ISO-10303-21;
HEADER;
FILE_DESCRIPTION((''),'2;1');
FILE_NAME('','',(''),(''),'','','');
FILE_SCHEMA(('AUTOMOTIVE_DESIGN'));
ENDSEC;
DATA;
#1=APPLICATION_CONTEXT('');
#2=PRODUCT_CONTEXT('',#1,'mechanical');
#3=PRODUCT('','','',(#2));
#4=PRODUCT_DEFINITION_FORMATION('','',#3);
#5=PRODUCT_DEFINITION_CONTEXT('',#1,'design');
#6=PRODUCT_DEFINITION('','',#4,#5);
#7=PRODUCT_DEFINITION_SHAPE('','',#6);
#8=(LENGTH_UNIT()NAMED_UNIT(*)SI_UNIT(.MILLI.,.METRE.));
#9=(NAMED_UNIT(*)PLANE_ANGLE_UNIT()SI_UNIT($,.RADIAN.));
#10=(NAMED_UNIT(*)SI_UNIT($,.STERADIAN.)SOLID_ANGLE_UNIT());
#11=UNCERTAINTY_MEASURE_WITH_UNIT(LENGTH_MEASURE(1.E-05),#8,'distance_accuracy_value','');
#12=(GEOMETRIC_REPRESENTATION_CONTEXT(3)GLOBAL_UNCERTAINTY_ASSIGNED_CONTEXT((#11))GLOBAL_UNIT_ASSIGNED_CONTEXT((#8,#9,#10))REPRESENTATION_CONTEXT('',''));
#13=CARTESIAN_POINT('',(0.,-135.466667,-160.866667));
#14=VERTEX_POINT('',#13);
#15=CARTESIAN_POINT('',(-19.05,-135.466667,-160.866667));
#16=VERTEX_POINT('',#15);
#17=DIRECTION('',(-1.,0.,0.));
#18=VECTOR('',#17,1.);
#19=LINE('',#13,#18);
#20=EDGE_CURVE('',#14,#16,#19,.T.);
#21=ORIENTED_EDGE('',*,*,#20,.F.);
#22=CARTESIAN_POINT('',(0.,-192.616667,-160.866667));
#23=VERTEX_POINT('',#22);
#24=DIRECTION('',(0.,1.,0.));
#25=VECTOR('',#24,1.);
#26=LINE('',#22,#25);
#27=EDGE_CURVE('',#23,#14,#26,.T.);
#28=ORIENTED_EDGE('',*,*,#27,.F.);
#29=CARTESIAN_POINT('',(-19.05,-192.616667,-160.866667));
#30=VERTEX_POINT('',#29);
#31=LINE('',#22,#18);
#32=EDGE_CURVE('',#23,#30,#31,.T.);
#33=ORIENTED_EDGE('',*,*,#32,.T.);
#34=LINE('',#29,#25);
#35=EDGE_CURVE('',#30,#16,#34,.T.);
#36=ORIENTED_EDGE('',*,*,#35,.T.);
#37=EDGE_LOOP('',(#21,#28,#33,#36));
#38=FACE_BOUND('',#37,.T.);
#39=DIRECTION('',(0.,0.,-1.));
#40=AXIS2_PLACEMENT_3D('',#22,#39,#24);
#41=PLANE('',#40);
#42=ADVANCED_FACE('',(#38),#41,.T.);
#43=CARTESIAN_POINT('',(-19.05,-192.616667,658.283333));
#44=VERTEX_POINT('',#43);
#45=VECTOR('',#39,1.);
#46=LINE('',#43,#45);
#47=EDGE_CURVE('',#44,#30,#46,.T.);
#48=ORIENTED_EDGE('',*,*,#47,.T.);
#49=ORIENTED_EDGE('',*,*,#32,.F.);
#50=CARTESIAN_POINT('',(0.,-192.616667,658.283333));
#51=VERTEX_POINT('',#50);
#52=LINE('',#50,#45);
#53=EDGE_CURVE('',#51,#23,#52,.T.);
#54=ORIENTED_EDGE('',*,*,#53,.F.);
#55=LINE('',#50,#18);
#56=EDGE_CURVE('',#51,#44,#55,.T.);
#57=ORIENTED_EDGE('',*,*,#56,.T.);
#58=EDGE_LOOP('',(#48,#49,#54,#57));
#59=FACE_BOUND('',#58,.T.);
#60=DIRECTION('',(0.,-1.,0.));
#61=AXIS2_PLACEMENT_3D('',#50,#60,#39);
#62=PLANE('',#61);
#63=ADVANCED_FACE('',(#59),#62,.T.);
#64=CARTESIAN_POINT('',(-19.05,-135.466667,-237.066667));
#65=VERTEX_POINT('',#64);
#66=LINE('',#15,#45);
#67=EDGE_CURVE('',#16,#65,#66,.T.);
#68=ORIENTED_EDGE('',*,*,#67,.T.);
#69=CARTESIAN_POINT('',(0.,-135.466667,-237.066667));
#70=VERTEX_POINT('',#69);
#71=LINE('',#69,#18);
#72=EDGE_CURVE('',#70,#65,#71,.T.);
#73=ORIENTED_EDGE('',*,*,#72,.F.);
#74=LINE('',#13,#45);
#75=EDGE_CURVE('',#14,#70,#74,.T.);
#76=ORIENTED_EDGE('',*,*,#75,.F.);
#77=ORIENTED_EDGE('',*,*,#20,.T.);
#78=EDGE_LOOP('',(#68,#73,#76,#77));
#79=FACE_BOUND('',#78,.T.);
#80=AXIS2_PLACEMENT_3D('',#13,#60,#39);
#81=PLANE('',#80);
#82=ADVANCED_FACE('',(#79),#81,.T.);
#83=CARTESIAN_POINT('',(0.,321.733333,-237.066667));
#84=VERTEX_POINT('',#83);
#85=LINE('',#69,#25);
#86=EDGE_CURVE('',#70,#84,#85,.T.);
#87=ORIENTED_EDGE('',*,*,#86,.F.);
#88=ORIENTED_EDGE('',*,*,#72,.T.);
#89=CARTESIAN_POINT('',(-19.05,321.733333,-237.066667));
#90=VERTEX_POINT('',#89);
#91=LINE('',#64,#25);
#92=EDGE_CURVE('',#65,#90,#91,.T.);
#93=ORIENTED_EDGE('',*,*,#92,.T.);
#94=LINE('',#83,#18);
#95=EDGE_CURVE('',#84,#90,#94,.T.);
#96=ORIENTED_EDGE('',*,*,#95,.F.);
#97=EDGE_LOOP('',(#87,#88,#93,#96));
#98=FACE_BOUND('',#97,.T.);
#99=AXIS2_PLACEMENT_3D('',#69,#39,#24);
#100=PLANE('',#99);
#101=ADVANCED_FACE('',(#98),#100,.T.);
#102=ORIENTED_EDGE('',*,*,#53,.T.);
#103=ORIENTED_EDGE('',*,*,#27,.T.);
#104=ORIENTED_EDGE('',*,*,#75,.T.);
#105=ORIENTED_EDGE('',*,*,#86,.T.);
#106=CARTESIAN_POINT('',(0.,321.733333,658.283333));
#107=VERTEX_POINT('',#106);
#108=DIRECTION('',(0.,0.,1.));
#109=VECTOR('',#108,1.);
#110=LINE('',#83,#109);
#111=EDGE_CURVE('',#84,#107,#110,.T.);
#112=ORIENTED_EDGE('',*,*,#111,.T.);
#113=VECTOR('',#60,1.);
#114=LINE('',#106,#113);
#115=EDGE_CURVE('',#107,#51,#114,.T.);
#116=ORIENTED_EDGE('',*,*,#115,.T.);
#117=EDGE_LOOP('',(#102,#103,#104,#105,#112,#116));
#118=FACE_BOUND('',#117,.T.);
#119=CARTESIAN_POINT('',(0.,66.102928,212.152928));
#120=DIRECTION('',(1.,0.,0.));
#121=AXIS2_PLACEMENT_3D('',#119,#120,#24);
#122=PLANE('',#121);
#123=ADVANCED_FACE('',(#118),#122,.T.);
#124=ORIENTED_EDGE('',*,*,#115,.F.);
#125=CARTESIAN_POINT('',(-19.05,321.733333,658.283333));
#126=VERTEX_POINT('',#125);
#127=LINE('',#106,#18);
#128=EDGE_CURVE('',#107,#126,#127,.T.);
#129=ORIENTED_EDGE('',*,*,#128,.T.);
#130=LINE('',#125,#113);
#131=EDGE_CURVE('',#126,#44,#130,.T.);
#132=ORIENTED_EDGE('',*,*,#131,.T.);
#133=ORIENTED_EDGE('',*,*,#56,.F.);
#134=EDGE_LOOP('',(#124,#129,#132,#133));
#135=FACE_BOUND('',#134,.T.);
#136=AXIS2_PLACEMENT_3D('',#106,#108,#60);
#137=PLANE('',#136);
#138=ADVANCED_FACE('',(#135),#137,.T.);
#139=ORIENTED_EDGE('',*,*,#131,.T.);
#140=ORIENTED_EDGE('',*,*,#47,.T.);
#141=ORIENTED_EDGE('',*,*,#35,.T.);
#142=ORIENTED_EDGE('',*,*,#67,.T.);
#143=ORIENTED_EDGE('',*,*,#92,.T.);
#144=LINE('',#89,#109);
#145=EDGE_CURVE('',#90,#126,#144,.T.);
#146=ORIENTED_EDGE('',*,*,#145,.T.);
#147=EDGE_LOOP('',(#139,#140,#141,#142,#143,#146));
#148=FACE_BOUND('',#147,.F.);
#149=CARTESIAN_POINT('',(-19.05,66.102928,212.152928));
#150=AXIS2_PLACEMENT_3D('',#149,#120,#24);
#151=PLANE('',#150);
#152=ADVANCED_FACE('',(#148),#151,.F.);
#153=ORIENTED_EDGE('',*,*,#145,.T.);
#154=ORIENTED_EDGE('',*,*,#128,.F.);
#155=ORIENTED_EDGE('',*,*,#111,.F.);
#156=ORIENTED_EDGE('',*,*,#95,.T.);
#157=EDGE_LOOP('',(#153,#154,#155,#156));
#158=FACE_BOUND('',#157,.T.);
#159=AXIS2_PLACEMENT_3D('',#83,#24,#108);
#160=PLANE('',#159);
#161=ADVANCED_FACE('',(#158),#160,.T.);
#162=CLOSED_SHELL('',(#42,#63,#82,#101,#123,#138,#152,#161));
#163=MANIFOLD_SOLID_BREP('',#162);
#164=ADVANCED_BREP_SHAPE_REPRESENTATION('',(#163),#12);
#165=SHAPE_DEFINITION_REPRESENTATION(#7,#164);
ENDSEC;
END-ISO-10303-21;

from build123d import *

# Parameters (mm, degrees)
F1_DEPTH = 19.05


with BuildPart() as f1:
    # F0 (on Right) → F1 (new body)
    with BuildSketch(Plane.YZ):
        Polygon((321.733333, 658.283333), (-192.616667, 658.283333), (-192.616667, -160.866667), (-135.466667, -160.866667), (-135.466667, -237.066667), (321.733333, -237.066667), (321.733333, -160.866667), align=None)
    extrude(amount=-F1_DEPTH)


solid = f1.part
